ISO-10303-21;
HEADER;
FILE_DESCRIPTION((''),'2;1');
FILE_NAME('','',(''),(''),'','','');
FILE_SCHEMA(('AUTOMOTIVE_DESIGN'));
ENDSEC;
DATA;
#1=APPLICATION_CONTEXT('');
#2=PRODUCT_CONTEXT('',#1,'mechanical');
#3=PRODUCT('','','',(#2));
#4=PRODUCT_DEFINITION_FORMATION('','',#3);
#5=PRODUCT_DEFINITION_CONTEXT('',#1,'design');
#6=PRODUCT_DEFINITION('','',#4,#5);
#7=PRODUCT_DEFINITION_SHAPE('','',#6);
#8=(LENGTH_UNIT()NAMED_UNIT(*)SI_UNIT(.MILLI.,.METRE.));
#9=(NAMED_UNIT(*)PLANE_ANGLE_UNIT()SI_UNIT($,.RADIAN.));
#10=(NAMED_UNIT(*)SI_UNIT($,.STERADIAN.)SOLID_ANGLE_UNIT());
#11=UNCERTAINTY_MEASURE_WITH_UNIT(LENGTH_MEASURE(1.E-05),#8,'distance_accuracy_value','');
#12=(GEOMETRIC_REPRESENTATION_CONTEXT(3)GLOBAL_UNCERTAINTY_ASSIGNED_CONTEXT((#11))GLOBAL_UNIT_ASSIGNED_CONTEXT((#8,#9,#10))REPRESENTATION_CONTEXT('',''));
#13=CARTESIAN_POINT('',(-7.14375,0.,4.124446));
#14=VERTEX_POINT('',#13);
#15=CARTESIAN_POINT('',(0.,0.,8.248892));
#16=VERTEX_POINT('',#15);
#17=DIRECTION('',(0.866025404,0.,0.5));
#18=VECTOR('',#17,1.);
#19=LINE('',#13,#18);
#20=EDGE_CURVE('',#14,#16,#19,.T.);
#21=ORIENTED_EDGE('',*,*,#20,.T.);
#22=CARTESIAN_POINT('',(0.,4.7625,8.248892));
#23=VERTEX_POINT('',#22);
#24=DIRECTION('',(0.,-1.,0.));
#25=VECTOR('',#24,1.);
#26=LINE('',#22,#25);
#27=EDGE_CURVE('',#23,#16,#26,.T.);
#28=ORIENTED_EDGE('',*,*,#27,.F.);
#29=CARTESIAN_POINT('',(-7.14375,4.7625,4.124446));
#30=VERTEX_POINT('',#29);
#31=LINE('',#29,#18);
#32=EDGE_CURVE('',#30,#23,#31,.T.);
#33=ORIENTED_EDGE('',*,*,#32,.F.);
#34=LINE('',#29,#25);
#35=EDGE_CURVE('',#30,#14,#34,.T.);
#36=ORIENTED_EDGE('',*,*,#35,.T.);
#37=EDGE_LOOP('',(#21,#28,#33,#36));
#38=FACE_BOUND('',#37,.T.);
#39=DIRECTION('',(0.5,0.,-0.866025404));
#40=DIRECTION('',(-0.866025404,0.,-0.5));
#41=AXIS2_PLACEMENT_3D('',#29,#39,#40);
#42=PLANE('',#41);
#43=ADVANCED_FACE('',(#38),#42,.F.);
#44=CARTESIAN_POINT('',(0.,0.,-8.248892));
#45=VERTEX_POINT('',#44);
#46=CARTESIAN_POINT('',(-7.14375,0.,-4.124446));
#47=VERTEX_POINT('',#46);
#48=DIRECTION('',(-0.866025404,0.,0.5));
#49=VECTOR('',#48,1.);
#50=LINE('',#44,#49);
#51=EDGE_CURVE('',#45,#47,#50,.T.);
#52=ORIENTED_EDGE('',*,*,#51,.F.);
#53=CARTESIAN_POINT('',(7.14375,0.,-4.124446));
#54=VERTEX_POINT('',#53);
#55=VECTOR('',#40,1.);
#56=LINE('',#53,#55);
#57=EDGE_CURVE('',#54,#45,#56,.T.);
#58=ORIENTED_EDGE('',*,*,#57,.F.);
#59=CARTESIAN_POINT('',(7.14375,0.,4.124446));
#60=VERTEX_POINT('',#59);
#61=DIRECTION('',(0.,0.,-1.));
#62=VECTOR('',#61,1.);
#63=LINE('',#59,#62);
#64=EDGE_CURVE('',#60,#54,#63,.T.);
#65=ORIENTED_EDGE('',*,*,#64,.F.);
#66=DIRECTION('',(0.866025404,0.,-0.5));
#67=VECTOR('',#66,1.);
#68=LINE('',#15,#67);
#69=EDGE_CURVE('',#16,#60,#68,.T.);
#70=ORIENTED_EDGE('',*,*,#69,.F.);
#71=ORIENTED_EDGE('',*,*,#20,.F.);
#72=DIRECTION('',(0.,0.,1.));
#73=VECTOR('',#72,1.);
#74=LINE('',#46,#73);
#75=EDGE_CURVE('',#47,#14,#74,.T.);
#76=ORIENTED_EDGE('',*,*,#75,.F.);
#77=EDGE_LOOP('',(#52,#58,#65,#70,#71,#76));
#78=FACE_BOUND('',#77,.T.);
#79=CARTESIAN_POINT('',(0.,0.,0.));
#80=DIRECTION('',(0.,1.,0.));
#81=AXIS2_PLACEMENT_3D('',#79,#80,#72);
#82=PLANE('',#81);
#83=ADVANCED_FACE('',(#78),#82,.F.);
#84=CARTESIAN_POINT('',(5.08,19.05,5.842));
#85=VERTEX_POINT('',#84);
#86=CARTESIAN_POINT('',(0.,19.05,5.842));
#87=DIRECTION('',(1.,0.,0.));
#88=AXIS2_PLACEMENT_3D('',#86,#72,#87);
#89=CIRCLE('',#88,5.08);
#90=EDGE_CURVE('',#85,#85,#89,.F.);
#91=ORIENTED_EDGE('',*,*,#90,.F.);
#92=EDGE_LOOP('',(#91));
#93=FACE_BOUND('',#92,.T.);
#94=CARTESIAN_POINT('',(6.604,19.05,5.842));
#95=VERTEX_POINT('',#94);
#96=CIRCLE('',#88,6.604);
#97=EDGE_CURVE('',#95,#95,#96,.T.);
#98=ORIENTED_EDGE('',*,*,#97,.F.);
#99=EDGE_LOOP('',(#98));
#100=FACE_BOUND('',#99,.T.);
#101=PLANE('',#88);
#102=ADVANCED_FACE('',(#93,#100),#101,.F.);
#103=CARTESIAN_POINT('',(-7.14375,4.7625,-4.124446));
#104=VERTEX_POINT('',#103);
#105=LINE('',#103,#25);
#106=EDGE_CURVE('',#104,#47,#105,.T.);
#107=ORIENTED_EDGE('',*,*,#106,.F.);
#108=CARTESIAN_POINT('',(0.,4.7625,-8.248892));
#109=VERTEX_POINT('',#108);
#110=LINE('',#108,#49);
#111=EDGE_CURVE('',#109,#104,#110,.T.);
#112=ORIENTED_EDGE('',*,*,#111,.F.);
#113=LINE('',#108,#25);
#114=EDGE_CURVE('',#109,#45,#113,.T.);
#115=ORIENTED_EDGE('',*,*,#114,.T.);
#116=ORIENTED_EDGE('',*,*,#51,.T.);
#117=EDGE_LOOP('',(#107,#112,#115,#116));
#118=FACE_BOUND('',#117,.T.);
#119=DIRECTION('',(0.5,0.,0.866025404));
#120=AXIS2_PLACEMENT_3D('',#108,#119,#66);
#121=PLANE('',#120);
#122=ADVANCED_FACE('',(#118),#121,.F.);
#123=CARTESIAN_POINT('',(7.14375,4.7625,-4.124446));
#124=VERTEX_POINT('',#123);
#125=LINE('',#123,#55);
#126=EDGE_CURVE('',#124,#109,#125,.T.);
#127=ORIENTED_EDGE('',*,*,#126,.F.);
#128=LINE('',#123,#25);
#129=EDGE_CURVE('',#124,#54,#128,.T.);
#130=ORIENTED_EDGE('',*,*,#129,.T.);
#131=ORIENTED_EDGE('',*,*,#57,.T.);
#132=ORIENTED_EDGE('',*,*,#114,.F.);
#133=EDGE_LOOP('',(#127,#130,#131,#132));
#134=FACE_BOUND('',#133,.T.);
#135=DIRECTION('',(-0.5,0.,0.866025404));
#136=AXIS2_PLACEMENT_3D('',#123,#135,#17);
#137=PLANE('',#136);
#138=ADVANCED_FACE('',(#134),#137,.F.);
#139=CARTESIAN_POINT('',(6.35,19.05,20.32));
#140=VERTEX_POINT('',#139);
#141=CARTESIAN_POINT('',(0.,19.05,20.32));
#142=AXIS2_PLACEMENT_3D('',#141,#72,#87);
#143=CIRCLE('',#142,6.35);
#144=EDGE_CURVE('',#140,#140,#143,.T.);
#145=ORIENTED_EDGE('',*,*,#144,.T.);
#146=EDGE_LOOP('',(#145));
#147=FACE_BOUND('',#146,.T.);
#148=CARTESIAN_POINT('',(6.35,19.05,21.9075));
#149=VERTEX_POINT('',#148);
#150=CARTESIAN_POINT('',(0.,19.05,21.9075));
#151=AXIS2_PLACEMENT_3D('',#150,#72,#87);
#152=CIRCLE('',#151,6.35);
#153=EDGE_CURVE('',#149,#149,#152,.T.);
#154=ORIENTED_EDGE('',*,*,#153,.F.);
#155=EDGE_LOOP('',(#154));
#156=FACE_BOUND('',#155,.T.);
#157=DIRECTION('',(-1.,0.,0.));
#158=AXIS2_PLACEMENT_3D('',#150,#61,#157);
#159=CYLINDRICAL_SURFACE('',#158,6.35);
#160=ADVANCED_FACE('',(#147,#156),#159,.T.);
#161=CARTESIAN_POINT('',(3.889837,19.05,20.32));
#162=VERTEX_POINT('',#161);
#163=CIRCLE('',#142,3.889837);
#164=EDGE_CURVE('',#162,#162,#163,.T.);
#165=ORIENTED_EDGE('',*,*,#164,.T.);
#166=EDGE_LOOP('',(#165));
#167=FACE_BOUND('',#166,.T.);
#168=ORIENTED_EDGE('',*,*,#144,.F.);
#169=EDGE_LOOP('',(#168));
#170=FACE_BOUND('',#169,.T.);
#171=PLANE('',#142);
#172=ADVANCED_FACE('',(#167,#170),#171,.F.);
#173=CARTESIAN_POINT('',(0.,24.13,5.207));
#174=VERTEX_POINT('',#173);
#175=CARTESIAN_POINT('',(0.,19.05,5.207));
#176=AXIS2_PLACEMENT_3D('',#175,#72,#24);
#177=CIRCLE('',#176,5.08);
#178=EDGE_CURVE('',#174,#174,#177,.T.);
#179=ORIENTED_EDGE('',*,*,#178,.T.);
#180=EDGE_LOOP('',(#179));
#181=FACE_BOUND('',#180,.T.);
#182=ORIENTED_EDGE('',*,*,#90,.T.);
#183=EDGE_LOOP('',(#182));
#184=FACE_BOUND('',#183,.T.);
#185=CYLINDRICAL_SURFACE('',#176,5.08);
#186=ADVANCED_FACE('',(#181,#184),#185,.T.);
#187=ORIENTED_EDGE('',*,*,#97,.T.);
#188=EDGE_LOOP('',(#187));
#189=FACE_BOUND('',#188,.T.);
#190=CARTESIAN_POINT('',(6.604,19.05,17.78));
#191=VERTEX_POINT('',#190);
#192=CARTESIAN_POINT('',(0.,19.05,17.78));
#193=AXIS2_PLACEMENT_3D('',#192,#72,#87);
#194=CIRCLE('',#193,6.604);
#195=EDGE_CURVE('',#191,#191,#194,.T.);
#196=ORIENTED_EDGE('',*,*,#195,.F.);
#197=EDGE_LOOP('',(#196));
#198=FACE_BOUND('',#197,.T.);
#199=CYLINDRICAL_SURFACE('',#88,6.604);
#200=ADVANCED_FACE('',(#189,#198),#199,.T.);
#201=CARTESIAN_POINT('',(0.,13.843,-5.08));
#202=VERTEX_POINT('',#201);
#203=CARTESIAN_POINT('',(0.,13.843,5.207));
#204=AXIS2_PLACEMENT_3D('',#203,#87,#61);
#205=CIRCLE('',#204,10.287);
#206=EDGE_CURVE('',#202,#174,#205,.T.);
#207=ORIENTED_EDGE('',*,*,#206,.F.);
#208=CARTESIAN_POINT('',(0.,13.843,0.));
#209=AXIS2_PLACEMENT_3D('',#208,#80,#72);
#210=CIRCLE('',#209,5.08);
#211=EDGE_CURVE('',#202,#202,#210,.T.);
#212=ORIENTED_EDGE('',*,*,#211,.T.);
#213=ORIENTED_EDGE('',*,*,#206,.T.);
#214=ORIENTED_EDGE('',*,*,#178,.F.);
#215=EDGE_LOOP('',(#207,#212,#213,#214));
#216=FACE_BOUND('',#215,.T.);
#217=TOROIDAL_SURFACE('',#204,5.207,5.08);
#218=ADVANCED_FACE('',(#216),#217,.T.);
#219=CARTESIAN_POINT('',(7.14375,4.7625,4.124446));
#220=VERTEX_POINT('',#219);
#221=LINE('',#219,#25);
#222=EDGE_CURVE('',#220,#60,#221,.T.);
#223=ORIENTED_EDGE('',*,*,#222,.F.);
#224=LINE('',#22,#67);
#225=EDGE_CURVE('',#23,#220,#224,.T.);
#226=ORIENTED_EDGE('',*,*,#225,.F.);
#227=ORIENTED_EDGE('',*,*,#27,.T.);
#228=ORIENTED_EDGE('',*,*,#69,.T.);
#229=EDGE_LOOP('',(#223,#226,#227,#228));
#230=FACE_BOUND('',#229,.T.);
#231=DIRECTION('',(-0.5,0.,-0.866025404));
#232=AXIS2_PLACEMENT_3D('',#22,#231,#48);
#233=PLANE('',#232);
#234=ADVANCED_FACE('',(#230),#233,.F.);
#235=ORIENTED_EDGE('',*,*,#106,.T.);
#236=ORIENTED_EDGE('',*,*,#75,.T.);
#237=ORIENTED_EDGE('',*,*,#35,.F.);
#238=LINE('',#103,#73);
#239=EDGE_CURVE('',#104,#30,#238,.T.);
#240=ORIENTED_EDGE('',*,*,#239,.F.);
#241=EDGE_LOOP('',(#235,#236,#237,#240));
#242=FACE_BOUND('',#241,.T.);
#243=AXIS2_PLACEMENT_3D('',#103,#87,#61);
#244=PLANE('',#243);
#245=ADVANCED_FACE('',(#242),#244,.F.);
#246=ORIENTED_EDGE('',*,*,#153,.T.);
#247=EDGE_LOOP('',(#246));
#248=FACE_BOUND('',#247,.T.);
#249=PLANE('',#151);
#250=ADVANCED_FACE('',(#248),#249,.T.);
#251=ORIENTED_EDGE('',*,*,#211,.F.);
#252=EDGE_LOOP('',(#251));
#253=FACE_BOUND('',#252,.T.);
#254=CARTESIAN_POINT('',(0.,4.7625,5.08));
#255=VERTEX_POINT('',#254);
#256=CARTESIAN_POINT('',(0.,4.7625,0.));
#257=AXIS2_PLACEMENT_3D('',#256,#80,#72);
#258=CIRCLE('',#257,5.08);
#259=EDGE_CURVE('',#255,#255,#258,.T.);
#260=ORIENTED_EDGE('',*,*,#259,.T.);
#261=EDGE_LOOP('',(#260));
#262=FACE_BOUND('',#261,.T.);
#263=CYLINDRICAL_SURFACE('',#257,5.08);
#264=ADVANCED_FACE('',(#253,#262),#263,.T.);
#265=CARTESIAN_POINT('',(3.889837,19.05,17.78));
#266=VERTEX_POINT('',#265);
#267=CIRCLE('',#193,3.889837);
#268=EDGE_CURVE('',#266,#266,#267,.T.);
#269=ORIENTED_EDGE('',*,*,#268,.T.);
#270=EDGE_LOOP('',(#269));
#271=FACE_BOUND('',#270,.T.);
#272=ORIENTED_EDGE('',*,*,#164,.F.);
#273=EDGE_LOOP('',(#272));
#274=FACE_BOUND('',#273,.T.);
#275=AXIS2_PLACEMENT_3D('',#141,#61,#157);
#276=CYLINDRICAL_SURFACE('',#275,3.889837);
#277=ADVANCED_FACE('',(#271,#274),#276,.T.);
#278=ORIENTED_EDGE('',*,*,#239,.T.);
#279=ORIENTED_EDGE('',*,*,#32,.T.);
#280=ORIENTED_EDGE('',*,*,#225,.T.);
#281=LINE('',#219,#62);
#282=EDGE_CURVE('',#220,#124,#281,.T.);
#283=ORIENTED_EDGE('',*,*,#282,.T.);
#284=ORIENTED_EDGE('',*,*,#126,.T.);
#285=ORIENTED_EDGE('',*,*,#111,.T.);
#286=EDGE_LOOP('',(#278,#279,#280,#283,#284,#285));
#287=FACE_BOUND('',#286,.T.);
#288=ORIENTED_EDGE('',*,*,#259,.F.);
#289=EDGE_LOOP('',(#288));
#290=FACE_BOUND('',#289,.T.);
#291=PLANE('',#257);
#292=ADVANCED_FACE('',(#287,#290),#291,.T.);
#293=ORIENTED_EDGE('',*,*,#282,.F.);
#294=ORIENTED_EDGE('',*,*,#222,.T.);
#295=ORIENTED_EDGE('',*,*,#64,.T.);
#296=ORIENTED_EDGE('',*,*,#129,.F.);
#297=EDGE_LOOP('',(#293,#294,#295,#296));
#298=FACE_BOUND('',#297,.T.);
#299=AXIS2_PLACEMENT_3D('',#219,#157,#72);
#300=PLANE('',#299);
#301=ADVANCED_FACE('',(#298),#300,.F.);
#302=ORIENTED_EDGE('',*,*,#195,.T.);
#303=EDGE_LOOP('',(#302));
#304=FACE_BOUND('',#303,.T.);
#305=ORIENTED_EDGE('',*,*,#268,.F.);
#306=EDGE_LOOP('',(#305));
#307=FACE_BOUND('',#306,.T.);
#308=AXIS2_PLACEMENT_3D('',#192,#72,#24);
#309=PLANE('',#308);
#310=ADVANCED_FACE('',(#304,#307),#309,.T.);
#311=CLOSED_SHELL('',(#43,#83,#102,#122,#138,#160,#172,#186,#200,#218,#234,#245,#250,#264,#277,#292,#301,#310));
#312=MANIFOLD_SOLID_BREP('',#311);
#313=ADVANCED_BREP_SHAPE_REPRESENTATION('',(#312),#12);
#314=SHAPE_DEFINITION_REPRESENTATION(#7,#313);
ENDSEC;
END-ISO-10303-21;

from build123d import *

# Parameters (mm, degrees)
BOSS_EXTRUDE1_DEPTH = 4.7625
SKETCH2_R           = 5.08
SKETCH4_R           = 6.604
BOSS_EXTRUDE2_DEPTH = 11.938
SKETCH5_R           = 3.889836973
BOSS_EXTRUDE3_DEPTH = 2.54
SKETCH6_R           = 6.35
BOSS_EXTRUDE4_DEPTH = 1.5875


with BuildPart() as part:
    # Sketch1 → Boss-Extrude1 (new body)
    with BuildSketch(Plane(origin=(0, 0, 0), x_dir=(1, 0, 0), z_dir=(0, 1, 0))):
        Polygon((0, 8.248891971), (-7.14375, 4.124445986), (-7.14375, -4.124445986), (0, -8.248891971), (7.14375, -4.124445986), (7.14375, 4.124445986), align=None)
    extrude(amount=BOSS_EXTRUDE1_DEPTH)

    # Sweep3: sweep along a path in Sketch3
    with BuildLine(Plane(origin=(0, 0, 0), x_dir=(0, 0, -1), z_dir=(1, 0, 0))) as sweep3_path:
        Line((0, 4.7625), (0, 13.843))
        ThreePointArc((0, 13.843), (-1.52509499, 17.52490501), (-5.207, 19.05))
        Line((-5.207, 19.05), (-17.78, 19.05))
    # Sketch2 → Sweep3 (sweep)
    with BuildSketch(Plane(origin=(0, 4.7625, 0), x_dir=(1, 0, 0), z_dir=(0, 1, 0))):
        Circle(SKETCH2_R)
    sweep(path=sweep3_path.line)

    # Sketch4 → Boss-Extrude2 (add)
    with BuildSketch(Plane.XY.offset(17.78)):
        with Locations((0, 19.05)):
            Circle(SKETCH4_R)
    extrude(amount=-BOSS_EXTRUDE2_DEPTH)

    # Sketch5 → Boss-Extrude3 (add)
    with BuildSketch(Plane.XY.offset(17.78)):
        with Locations((0, 19.05)):
            Circle(SKETCH5_R)
    extrude(amount=BOSS_EXTRUDE3_DEPTH)

    # Sketch6 → Boss-Extrude4 (add)
    with BuildSketch(Plane.XY.offset(20.32)):
        with Locations((0, 19.05)):
            Circle(SKETCH6_R)
    extrude(amount=BOSS_EXTRUDE4_DEPTH)


solid = part.part
